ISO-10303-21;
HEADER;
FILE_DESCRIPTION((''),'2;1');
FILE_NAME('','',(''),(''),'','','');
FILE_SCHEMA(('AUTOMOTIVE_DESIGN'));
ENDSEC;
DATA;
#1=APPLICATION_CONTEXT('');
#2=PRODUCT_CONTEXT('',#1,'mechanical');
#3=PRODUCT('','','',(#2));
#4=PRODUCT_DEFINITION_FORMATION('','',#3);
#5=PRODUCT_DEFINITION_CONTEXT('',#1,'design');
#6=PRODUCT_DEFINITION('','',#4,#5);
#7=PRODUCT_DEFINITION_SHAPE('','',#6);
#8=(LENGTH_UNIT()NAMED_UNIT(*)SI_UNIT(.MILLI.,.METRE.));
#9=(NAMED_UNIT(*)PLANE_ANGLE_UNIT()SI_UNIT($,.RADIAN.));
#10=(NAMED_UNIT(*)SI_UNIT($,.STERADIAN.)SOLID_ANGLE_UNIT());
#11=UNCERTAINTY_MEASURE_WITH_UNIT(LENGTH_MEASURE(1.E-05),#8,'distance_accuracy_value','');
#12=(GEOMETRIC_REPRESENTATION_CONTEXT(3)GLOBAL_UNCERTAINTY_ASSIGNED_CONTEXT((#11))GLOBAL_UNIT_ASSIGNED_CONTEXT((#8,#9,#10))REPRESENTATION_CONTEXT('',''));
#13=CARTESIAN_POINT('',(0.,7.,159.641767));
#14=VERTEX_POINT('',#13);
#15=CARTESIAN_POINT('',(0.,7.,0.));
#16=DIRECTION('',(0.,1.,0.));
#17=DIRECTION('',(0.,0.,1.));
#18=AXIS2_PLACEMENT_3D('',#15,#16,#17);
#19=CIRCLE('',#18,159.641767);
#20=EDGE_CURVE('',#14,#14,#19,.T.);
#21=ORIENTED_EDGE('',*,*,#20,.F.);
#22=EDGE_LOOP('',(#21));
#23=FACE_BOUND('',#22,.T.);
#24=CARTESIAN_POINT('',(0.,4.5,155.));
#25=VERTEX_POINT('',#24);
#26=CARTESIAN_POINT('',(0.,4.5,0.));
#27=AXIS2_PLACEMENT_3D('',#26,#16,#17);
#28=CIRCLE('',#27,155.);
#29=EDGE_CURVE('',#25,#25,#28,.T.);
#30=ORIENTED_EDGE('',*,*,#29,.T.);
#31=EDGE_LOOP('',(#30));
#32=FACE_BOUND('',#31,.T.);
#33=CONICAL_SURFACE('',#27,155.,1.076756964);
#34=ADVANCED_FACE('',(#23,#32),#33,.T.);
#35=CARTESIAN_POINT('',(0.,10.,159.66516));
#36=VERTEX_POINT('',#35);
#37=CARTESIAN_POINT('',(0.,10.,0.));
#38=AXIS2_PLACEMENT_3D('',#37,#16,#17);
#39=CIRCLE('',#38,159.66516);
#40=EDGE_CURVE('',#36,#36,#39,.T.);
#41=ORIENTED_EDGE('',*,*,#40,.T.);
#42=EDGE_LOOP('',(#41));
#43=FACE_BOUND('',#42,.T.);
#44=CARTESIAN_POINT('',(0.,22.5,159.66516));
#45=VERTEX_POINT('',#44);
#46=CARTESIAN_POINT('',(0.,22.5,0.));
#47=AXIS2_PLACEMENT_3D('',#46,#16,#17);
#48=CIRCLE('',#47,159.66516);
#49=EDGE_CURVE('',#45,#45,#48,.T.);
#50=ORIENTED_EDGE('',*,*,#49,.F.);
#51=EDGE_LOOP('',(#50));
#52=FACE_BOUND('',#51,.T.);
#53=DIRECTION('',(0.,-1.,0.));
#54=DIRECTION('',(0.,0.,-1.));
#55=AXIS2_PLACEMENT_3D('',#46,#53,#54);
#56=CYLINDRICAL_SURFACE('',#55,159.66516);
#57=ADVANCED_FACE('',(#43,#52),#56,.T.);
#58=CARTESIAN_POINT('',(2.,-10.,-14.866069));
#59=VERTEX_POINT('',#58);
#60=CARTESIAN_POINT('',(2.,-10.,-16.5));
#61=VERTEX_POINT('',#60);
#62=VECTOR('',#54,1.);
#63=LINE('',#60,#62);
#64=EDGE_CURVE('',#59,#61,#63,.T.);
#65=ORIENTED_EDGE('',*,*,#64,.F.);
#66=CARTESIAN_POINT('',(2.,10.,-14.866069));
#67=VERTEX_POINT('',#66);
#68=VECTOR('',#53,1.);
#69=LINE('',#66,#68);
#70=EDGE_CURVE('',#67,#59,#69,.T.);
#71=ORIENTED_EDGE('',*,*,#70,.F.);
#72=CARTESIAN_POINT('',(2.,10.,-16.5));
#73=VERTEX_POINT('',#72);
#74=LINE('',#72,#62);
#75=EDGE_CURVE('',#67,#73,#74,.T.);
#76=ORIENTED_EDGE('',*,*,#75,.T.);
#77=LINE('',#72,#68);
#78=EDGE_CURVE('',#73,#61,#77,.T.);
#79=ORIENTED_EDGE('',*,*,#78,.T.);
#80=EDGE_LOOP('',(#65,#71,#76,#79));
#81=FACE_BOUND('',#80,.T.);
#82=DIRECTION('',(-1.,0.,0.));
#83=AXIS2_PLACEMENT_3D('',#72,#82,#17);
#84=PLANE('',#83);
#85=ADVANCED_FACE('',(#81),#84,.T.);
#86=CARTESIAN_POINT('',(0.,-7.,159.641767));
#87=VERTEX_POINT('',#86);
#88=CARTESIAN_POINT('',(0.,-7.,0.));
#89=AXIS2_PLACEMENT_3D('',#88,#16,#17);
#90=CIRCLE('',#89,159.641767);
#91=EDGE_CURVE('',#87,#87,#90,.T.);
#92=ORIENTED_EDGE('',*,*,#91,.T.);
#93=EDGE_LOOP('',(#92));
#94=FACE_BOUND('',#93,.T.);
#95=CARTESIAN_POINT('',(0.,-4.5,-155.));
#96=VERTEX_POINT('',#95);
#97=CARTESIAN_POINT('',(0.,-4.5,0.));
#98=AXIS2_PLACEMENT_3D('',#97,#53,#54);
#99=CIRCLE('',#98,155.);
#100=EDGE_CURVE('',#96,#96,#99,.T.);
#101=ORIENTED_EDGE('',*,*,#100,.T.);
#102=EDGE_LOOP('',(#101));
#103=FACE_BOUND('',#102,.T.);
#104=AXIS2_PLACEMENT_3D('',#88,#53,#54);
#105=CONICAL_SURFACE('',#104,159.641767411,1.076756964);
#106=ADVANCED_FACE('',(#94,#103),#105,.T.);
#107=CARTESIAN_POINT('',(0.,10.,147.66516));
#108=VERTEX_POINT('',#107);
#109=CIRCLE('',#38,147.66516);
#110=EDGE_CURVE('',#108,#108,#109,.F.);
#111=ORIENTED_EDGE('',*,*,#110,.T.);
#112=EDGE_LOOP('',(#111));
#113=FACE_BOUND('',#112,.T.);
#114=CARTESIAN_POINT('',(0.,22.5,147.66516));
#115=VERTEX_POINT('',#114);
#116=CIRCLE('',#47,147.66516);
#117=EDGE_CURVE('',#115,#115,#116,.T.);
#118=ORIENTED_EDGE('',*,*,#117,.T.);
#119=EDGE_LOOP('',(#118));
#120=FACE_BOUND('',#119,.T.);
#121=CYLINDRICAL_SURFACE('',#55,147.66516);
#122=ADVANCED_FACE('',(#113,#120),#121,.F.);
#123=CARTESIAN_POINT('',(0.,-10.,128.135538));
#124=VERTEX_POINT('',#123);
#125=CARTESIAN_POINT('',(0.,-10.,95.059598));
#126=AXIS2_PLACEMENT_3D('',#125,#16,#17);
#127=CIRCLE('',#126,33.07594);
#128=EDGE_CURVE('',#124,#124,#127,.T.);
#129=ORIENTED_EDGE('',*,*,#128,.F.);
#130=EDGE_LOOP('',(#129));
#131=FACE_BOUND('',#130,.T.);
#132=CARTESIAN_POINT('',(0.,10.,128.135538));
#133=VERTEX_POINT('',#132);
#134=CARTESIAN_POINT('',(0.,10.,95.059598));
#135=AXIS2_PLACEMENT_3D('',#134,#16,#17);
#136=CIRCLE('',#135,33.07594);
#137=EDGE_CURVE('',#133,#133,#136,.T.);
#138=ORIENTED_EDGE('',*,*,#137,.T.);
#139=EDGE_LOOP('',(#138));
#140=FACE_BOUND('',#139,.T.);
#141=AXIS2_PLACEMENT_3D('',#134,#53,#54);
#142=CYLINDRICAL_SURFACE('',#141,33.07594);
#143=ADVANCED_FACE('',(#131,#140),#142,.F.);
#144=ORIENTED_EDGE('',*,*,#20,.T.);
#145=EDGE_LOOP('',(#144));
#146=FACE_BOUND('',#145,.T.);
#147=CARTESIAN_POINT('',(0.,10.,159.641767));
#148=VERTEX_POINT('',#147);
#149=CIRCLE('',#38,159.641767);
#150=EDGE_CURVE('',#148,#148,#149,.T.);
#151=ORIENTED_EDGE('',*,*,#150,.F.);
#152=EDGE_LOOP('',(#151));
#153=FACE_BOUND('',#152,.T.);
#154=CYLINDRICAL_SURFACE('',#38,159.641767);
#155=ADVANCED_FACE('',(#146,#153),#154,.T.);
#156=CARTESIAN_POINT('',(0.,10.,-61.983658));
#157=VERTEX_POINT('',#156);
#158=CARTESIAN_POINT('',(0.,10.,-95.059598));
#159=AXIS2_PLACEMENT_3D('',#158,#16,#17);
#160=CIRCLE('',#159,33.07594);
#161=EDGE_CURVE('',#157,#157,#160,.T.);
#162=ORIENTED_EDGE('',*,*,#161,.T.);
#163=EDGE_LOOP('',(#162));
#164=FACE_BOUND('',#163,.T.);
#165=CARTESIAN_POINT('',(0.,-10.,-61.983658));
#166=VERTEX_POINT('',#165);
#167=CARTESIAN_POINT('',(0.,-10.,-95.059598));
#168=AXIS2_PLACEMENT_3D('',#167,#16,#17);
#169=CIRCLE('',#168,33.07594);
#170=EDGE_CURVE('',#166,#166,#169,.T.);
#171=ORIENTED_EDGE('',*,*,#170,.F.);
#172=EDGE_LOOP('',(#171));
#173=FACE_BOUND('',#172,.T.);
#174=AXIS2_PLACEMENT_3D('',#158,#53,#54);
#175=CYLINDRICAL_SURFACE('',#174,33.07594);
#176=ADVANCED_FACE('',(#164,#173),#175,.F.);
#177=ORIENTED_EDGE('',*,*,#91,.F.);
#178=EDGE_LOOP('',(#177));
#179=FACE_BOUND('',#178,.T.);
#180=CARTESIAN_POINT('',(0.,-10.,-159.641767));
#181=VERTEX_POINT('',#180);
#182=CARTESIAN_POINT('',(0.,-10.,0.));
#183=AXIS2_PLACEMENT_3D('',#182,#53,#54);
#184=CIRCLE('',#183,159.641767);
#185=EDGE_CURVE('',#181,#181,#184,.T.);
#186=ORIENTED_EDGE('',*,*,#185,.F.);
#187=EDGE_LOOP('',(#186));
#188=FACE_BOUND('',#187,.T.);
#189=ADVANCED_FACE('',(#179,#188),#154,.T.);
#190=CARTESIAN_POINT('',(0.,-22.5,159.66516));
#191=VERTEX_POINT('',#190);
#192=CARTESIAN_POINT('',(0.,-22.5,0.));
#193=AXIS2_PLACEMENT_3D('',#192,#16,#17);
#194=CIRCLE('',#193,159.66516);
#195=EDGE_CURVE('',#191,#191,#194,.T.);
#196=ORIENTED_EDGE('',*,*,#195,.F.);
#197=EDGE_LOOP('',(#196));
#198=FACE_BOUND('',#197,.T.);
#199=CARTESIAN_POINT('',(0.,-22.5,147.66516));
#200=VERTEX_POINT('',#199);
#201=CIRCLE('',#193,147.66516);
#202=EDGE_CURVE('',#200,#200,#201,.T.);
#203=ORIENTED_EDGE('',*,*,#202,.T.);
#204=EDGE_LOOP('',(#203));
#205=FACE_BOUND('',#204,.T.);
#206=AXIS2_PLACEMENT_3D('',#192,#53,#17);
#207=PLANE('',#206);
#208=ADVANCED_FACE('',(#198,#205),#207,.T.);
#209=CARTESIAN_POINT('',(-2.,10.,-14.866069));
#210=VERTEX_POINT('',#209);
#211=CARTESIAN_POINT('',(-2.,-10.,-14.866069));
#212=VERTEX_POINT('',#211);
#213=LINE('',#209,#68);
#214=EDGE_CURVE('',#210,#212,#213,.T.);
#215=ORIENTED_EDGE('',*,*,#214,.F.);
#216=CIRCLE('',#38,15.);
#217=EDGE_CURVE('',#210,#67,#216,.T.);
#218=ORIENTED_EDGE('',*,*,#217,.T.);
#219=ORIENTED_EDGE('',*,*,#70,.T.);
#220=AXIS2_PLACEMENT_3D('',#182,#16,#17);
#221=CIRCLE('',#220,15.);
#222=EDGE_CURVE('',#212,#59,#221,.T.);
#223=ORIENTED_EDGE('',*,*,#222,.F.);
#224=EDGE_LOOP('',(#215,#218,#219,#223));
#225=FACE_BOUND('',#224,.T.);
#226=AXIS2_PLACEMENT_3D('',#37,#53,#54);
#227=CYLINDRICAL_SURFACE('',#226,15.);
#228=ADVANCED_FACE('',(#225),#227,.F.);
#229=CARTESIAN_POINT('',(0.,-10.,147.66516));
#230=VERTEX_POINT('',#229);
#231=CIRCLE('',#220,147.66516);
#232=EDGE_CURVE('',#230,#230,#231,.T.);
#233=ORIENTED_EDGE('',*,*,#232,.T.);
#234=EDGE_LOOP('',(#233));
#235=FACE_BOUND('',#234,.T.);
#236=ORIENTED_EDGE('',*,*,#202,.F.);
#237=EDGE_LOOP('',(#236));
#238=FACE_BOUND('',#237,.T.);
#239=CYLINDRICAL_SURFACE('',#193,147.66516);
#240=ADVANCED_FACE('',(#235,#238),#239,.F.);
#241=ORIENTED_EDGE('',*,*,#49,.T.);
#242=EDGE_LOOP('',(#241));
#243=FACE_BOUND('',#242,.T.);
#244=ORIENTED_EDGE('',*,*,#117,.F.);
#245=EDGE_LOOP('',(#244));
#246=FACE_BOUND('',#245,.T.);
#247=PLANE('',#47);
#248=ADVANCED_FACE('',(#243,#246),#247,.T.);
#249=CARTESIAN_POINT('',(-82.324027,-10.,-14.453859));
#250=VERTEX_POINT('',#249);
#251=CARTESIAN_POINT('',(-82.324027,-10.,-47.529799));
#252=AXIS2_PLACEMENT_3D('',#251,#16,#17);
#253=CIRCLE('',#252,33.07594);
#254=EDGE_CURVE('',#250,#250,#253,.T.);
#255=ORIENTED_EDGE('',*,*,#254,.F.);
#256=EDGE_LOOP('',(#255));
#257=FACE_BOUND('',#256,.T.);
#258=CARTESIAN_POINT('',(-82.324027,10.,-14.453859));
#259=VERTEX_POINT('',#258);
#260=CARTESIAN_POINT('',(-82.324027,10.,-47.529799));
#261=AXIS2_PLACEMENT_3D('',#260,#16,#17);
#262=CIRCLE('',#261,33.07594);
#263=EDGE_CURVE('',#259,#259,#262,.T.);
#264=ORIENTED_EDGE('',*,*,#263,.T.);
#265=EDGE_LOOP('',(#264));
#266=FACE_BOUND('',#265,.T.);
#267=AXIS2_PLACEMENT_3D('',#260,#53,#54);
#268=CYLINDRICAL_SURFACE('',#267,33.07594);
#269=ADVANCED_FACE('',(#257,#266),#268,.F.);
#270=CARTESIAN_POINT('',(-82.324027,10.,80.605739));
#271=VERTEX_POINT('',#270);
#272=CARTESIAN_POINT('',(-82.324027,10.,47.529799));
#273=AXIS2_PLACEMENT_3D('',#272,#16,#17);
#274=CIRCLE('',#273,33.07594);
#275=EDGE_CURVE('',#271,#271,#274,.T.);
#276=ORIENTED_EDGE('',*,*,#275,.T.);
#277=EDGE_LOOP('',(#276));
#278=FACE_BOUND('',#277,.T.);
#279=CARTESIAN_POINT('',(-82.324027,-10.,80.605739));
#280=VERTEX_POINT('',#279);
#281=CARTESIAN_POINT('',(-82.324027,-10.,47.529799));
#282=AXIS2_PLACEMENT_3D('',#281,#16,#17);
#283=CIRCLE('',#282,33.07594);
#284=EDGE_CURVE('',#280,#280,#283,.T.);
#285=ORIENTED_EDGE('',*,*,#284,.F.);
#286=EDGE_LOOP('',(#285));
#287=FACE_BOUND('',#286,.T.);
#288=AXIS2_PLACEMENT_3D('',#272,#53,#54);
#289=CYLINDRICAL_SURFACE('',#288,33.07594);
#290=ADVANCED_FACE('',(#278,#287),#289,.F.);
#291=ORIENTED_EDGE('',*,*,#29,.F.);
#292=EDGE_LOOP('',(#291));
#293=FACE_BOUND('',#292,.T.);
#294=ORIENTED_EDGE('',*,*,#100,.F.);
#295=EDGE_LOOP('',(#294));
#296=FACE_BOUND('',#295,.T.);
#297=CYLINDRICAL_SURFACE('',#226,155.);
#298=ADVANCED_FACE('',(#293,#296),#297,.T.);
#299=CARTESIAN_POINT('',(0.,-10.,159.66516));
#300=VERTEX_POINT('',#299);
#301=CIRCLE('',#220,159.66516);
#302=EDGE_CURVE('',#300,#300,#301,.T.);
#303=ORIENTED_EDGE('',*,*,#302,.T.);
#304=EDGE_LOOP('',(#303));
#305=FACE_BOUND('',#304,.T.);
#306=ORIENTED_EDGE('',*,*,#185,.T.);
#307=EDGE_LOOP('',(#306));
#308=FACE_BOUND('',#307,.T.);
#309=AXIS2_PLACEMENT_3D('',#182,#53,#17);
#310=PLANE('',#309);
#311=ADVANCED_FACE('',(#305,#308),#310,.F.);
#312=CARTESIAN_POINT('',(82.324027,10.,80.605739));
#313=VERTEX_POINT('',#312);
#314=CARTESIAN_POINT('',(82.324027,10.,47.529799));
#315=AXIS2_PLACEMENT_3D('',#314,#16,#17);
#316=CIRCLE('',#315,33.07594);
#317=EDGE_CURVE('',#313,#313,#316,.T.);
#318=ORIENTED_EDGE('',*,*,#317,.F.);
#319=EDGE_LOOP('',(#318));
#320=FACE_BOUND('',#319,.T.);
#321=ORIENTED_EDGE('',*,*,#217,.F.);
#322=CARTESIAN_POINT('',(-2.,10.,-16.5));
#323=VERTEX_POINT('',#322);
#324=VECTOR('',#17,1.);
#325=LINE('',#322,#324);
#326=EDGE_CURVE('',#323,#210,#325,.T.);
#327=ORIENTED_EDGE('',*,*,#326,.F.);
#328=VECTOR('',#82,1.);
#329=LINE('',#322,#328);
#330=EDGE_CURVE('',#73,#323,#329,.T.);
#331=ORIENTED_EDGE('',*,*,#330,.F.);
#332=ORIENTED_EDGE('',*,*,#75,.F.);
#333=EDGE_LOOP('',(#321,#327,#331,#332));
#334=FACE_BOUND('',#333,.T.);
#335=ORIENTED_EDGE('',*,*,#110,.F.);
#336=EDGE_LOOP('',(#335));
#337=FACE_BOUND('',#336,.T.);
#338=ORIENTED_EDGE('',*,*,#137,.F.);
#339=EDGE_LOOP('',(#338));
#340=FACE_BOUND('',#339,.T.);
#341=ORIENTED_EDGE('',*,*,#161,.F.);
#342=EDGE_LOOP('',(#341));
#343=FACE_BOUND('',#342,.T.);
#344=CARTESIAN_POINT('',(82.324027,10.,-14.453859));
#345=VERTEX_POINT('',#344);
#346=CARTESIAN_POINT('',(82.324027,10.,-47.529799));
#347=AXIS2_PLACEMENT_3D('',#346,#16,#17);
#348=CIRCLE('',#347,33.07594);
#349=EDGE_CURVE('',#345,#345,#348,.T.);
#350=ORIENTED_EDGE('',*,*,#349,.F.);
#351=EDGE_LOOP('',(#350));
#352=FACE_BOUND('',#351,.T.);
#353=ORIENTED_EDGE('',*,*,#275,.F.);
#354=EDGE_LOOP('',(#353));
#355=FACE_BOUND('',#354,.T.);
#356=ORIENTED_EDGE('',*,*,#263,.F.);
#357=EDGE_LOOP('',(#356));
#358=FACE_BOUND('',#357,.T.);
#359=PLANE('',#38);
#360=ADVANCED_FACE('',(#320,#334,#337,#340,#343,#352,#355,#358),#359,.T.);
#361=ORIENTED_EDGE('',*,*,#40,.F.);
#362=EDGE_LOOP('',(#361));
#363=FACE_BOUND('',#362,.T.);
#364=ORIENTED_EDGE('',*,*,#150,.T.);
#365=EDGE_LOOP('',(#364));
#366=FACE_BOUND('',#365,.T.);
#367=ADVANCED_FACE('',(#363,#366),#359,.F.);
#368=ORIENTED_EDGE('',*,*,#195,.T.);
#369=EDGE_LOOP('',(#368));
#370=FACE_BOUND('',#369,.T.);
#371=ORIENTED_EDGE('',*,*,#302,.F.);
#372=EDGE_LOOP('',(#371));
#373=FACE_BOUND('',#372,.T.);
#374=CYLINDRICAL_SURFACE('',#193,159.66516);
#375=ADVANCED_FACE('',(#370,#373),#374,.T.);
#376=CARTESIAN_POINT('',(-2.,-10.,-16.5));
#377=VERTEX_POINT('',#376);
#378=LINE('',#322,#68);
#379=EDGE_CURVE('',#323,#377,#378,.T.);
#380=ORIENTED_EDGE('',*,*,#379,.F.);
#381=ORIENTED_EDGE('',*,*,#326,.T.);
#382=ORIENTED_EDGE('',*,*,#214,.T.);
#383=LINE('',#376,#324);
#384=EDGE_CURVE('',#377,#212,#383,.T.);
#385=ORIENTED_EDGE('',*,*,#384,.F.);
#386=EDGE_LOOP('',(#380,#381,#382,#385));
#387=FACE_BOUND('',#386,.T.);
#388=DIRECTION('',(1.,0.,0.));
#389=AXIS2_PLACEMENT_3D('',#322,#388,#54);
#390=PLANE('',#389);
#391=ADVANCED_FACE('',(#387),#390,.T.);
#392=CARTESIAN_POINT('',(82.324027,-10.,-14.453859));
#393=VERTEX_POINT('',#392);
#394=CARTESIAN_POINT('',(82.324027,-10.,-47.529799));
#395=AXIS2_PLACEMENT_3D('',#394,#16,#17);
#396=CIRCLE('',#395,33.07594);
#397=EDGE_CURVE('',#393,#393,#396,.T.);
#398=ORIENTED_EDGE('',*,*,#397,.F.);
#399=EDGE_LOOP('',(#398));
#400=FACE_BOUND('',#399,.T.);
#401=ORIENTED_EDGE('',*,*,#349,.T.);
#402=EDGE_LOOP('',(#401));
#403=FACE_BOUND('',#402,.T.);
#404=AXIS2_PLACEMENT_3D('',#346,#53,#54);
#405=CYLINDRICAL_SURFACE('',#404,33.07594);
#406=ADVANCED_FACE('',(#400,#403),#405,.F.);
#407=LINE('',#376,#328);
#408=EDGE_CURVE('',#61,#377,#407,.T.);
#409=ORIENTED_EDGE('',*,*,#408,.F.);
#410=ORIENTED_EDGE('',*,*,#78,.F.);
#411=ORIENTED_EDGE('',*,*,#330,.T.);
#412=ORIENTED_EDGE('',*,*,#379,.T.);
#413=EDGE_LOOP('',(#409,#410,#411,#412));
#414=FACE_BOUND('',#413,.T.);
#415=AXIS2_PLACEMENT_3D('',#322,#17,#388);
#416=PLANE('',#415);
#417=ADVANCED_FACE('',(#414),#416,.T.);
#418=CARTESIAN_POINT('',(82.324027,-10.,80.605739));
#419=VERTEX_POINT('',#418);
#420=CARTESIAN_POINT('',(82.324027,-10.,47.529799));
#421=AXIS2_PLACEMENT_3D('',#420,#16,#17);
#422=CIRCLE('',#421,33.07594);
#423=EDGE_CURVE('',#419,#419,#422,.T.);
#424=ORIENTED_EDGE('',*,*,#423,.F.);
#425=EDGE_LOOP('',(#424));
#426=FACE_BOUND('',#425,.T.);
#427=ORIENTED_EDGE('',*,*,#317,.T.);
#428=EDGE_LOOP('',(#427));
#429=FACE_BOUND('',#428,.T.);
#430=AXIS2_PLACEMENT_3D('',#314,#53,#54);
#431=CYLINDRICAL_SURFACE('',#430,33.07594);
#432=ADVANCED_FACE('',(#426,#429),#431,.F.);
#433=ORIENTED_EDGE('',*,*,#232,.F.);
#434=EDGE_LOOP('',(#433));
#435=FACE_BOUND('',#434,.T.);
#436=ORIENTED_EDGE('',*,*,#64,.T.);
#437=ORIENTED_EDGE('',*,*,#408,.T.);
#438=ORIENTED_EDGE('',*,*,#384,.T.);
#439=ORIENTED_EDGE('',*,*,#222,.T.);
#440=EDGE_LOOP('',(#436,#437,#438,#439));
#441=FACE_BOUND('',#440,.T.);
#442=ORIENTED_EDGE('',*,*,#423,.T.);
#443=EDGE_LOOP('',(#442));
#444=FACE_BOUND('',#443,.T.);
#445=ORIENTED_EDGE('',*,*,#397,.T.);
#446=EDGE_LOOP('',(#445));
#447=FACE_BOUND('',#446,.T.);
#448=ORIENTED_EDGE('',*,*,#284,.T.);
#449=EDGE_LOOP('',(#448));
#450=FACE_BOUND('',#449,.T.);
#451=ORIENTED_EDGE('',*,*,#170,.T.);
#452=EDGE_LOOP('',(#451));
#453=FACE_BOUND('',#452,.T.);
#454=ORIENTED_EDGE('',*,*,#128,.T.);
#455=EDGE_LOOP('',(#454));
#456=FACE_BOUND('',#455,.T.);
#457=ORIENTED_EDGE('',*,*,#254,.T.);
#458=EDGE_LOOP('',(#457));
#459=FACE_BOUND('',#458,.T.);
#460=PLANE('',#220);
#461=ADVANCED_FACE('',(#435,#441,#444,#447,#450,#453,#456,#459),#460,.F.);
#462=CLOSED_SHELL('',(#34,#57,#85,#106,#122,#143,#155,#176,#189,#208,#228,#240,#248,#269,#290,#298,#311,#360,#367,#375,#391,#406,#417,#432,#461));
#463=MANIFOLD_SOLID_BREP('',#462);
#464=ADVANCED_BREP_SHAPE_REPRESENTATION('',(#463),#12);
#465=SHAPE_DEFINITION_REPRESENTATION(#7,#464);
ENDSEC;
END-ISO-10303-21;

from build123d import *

# Parameters (mm, degrees)
CROQUIS1_R              = 155
CROQUIS1_R_2            = 33.0759403
SALIENTE_EXTRUIR1_DEPTH = 10
CROQUIS3_R              = 159.665159843
CROQUIS3_R_2            = 147.665159843
SALIENTE_EXTRUIR2_DEPTH = 12.5


with BuildPart() as part:
    # Croquis1 → Saliente-Extruir1 (new, symmetric)
    with BuildSketch(Plane(origin=(0, 0, 0), x_dir=(1, 0, 0), z_dir=(0, 1, 0))):
        with Locations(Location((0, 0, 0), (0, 0, 270))):
            Circle(CROQUIS1_R)
        with Locations(Location((0, 95.059598075, 0), (0, 0, 270))):
            Circle(CROQUIS1_R_2, mode=Mode.SUBTRACT)
        with Locations(Location((82.324026806, 47.529799037, 0), (0, 0, 270))):
            Circle(CROQUIS1_R_2, mode=Mode.SUBTRACT)
        with Locations(Location((82.324026806, -47.529799037, 0), (0, 0, 270))):
            Circle(CROQUIS1_R_2, mode=Mode.SUBTRACT)
        with Locations(Location((0, -95.059598075, 0), (0, 0, 270))):
            Circle(CROQUIS1_R_2, mode=Mode.SUBTRACT)
        with Locations(Location((-82.324026806, -47.529799037, 0), (0, 0, 270))):
            Circle(CROQUIS1_R_2, mode=Mode.SUBTRACT)
        with Locations(Location((-82.324026806, 47.529799037, 0), (0, 0, 270))):
            Circle(CROQUIS1_R_2, mode=Mode.SUBTRACT)
        with BuildLine():
            Line((-2, 16.5), (2, 16.5))
            Line((2, 16.5), (2, 14.866068747))
            ThreePointArc((2, 14.866068747), (0, -15), (-2, 14.866068747))
            Line((-2, 14.866068747), (-2, 16.5))
        make_face(mode=Mode.SUBTRACT)
    extrude(amount=SALIENTE_EXTRUIR1_DEPTH, both=True)

    # Croquis2 → Revolución1 (revolve)
    with BuildSketch(Plane(origin=(0, 0, 0), x_dir=(0, 0, -1), z_dir=(1, 0, 0)), mode=Mode.PRIVATE) as revoluci_n1_sk:
        Polygon((155, 10), (155, 4.5), (159.641767411, 7), (159.641767411, 10), align=None)
        Polygon((155, -4.5), (155, -10), (159.641767411, -10), (159.641767411, -7), align=None)
    revolve(revoluci_n1_sk.sketch.rotate(Axis((0, 10, 0), (0, -1, 0)), 180), axis=Axis((0, 10, 0), (0, -1, 0)))

    # Croquis3 → Saliente-Extruir2 (add)
    with BuildSketch(Plane(origin=(0, 10, 0), x_dir=(1, 0, 0), z_dir=(0, 1, 0))):
        with Locations(Location((0, 0, 0), (0, 0, 270))):
            Circle(CROQUIS3_R)
        with Locations(Location((0, 0, 0), (0, 0, 270))):
            Circle(CROQUIS3_R_2, mode=Mode.SUBTRACT)
    saliente_extruir2 = extrude(amount=SALIENTE_EXTRUIR2_DEPTH)

    # Simetría1: Saliente-Extruir2 across plane
    add(saliente_extruir2.mirror(Plane.ZX))


solid = part.part
